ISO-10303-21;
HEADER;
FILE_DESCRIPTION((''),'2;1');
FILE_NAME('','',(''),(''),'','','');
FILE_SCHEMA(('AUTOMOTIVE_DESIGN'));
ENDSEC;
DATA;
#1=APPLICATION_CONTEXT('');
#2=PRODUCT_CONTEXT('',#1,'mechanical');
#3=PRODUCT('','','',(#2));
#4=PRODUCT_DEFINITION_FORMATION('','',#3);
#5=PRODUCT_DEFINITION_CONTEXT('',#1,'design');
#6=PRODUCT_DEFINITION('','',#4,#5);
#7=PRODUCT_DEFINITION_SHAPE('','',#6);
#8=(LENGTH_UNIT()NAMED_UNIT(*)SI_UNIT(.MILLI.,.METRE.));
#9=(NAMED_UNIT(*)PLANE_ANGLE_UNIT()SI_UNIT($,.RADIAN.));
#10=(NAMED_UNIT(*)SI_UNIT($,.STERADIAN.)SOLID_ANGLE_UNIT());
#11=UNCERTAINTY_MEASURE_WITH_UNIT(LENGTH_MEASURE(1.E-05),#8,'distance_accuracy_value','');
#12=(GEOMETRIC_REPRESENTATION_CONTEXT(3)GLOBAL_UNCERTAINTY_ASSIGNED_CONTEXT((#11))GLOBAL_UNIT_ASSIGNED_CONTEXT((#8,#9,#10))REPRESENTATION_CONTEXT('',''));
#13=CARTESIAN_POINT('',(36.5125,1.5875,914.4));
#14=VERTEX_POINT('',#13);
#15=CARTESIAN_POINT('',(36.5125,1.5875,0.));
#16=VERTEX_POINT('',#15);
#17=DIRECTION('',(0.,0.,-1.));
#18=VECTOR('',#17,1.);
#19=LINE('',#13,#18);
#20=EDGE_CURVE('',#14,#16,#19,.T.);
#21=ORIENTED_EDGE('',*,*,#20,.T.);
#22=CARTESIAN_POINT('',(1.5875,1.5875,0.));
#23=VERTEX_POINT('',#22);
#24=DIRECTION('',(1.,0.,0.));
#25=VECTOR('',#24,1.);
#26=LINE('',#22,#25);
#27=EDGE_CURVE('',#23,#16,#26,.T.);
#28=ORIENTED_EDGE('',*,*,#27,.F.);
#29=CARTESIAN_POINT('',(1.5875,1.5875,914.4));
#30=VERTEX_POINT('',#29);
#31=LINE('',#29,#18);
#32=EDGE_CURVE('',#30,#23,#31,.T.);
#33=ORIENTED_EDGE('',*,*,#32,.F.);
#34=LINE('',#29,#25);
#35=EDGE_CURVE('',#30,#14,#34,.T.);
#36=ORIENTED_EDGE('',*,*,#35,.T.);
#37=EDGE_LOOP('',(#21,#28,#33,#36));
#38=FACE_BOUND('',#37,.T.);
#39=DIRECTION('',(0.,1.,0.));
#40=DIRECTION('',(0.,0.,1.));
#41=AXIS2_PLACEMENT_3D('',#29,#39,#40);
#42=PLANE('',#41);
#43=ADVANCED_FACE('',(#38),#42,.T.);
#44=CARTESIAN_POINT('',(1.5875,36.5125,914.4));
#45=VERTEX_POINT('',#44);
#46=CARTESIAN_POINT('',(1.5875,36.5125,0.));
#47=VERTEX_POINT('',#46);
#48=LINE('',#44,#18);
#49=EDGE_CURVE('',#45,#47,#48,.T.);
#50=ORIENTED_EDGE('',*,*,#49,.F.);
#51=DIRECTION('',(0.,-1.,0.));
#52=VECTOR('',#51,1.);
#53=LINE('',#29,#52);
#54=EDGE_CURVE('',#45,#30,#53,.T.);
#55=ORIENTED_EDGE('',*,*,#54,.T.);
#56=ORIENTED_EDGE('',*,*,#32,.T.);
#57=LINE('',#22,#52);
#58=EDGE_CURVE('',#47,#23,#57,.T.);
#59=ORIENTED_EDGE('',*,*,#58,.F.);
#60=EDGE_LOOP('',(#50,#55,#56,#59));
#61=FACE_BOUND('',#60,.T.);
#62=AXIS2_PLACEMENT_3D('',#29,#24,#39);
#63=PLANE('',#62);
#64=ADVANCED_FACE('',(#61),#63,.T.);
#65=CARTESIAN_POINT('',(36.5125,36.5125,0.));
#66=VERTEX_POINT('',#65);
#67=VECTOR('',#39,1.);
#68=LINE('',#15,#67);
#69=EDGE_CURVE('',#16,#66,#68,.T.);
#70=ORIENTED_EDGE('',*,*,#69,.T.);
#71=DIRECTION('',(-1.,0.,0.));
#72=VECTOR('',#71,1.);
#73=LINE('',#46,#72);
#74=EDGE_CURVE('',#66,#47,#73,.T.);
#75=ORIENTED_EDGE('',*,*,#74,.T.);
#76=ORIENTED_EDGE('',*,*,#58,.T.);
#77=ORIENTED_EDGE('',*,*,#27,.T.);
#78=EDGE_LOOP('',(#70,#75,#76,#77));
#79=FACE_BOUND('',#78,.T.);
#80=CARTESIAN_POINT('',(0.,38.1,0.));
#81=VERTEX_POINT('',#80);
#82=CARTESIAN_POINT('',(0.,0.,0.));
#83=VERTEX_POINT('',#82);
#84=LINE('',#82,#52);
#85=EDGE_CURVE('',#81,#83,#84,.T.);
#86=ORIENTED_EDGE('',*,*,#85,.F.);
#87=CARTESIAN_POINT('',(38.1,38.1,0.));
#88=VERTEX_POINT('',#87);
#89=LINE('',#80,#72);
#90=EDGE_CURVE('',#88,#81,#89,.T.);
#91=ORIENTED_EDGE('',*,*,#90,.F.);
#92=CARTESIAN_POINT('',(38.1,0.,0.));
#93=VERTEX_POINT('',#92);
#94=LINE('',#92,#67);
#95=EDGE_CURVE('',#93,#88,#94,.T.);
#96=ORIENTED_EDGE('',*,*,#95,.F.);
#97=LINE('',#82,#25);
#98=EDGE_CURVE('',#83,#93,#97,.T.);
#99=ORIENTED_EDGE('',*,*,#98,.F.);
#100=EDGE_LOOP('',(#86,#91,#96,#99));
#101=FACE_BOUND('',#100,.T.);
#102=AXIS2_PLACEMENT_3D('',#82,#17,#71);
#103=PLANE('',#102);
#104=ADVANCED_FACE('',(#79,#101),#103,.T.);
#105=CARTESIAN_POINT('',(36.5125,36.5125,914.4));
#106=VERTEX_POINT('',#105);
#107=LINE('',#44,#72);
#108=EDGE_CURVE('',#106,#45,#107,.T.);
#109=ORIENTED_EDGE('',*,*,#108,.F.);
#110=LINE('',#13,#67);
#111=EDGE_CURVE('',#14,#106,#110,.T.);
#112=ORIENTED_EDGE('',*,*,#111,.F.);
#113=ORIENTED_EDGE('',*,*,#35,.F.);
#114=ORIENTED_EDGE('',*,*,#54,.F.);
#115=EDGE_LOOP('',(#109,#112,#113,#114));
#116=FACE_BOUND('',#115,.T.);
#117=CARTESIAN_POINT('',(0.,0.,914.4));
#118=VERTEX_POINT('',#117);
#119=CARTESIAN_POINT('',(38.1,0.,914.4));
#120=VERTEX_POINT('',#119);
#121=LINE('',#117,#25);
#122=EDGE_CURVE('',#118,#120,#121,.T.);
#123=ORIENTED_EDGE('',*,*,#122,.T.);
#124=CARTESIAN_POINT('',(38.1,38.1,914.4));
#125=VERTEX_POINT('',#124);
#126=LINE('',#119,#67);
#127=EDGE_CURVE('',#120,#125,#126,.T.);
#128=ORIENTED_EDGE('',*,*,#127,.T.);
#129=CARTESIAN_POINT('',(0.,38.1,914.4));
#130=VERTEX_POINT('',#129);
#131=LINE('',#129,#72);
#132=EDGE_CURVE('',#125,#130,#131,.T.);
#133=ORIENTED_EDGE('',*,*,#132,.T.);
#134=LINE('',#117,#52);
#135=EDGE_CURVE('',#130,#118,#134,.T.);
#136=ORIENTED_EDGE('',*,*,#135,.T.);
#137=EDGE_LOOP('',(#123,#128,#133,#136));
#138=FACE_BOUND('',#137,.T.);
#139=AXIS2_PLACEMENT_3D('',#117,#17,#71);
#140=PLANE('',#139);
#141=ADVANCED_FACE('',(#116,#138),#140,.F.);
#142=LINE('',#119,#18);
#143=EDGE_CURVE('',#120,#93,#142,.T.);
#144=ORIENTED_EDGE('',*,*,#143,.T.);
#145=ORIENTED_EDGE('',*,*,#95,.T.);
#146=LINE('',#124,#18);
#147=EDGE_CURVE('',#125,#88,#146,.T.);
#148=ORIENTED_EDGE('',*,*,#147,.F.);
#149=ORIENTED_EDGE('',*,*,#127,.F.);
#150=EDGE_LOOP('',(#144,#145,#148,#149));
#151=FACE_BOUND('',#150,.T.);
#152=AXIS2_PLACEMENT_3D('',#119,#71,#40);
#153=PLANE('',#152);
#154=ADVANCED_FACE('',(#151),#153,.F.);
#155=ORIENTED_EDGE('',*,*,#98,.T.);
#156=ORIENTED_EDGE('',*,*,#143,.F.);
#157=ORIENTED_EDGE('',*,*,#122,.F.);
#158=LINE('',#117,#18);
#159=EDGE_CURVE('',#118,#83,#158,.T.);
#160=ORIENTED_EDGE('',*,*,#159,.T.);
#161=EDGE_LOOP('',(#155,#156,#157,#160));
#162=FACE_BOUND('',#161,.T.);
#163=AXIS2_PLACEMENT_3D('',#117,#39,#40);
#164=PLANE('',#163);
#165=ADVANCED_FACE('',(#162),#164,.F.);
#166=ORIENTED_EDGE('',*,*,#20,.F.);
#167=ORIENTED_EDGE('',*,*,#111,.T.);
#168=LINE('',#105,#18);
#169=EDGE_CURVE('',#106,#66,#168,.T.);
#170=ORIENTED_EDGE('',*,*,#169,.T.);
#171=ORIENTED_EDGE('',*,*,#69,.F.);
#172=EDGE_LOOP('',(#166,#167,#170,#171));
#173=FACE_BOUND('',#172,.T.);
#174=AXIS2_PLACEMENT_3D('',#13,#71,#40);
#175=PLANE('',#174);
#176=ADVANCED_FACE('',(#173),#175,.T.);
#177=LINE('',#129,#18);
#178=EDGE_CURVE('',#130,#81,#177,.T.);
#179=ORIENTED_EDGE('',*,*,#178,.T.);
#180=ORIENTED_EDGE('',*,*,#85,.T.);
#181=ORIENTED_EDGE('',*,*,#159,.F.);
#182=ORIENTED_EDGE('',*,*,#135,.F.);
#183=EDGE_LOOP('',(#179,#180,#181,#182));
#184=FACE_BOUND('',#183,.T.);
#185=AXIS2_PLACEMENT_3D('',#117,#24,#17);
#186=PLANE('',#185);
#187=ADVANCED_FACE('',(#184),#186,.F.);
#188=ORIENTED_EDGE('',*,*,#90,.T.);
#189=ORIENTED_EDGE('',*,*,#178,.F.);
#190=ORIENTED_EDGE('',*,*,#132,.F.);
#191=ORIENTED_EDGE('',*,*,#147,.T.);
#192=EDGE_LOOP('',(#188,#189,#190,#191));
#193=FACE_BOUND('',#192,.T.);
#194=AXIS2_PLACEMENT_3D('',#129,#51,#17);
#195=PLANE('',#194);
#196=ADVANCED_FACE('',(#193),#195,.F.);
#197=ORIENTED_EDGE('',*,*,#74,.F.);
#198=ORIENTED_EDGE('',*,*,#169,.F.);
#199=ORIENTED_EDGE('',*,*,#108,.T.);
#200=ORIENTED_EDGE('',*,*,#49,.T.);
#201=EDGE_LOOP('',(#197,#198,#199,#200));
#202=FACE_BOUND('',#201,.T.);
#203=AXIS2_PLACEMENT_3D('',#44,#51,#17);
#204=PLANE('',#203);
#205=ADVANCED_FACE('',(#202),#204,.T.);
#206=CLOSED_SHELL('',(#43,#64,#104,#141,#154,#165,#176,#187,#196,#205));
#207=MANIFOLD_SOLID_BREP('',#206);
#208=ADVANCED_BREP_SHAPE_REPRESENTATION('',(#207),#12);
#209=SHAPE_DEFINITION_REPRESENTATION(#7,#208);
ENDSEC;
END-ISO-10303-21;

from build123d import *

# Parameters (mm, degrees)
SKETCH2_W           = 38.1
SKETCH2_H           = 38.1
SKETCH2_W_2         = 34.925
SKETCH2_H_2         = 34.925
BOSS_EXTRUDE1_DEPTH = 914.4


with BuildPart() as part:
    # Sketch2 → Boss-Extrude1 (new body)
    with BuildSketch(Plane.XY):
        with Locations((19.05, 19.05)):
            Rectangle(SKETCH2_W, SKETCH2_H)
        with Locations((19.05, 19.05)):
            Rectangle(SKETCH2_W_2, SKETCH2_H_2, mode=Mode.SUBTRACT)
    extrude(amount=BOSS_EXTRUDE1_DEPTH)


solid = part.part
